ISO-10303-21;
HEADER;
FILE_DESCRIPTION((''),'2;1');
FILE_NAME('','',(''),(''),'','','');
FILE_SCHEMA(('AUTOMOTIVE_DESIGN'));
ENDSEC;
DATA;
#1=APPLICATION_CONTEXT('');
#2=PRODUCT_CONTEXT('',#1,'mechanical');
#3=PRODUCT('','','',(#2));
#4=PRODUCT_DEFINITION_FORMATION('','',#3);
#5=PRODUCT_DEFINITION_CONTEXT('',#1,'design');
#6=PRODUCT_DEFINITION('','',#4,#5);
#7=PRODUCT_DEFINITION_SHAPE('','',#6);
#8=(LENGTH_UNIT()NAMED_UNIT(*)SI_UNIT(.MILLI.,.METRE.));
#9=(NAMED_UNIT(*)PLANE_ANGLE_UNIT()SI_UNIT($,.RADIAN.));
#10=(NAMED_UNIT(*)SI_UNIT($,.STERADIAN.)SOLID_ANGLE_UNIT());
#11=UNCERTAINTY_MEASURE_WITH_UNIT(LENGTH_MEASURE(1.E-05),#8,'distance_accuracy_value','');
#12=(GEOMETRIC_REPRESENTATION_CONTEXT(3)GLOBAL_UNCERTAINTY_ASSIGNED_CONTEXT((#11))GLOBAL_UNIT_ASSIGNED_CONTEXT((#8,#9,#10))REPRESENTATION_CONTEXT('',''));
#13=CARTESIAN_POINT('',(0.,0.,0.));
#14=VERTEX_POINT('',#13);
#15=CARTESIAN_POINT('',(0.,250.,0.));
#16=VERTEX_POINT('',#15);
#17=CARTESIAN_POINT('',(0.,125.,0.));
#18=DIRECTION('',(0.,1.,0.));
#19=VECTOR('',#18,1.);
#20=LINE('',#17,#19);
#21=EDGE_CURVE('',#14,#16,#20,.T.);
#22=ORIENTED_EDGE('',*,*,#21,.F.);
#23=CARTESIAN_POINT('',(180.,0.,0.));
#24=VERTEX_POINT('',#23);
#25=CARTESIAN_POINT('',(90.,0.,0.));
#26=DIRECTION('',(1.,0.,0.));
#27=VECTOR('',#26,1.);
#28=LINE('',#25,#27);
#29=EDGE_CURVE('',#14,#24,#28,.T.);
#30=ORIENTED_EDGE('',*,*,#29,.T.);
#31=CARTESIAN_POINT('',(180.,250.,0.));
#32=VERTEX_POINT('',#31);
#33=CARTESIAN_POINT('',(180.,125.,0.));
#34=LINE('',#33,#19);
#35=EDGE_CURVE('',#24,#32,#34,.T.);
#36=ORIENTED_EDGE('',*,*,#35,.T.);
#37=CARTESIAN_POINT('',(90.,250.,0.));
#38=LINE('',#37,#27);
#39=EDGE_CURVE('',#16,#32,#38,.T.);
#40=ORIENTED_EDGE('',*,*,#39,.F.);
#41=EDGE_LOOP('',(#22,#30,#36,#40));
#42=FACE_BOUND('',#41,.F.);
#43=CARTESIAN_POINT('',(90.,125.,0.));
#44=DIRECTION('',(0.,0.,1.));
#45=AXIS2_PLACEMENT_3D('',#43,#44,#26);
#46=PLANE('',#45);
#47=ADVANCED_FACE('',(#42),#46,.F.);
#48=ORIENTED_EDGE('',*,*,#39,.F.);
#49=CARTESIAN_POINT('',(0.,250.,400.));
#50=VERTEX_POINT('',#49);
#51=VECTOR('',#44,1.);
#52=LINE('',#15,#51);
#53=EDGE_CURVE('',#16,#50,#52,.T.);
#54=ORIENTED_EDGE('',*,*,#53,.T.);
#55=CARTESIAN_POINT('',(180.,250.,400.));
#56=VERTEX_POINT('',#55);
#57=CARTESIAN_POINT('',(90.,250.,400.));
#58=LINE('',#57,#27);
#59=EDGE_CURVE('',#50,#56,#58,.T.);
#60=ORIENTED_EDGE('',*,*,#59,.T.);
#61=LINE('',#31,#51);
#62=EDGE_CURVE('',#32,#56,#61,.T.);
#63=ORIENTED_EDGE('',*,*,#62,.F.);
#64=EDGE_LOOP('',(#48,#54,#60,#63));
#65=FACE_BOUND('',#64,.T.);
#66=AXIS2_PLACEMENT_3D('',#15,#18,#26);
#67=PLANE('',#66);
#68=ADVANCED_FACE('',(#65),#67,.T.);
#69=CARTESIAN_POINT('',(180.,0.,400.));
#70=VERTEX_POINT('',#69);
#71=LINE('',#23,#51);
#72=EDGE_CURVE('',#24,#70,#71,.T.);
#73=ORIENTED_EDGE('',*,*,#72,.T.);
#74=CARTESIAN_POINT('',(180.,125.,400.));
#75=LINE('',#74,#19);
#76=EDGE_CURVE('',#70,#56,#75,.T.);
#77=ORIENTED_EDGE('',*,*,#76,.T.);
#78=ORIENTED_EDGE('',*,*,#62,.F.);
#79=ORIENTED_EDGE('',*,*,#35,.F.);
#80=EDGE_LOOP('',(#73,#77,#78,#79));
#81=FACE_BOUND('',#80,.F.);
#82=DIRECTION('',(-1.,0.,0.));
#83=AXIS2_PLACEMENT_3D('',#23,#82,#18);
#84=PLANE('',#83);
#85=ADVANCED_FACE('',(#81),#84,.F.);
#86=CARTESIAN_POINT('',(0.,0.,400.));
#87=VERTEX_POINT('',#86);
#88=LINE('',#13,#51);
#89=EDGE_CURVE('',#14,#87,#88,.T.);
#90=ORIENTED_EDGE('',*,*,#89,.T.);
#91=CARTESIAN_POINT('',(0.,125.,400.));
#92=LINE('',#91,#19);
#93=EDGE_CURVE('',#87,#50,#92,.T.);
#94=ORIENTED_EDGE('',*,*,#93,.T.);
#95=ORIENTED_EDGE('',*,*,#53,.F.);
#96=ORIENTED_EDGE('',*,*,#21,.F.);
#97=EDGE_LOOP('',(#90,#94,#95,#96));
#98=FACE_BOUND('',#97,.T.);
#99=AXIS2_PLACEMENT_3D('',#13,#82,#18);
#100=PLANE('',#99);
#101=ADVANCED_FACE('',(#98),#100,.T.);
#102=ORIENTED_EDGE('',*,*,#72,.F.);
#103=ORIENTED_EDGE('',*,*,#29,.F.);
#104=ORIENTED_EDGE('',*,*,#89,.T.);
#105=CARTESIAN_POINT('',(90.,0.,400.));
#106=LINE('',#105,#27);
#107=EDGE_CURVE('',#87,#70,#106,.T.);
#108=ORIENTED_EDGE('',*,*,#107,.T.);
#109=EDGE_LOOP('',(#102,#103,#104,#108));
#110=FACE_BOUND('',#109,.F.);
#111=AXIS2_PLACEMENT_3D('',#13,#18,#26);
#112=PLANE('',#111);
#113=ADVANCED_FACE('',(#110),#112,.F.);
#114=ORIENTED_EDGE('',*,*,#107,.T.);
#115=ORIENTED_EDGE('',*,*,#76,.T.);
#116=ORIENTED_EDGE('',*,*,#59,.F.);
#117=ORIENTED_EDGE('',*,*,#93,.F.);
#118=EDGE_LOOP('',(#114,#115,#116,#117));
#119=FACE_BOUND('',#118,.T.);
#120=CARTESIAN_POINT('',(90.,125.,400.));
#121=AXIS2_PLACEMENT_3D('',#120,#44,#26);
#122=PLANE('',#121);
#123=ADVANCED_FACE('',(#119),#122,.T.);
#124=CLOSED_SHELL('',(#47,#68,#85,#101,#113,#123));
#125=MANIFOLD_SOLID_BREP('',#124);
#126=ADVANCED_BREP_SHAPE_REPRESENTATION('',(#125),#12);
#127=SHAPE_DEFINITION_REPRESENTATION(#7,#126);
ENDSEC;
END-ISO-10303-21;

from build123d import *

# Parameters (mm, degrees)
F1_W     = 180
F1_H     = 250
F3_DEPTH = 400


with BuildPart() as f3:
    # F1 (on face) → F3 (new body)
    with BuildSketch(Plane.XY):
        with Locations((90, 125)):
            Rectangle(F1_W, F1_H)
    extrude(amount=F3_DEPTH)


solid = f3.part
